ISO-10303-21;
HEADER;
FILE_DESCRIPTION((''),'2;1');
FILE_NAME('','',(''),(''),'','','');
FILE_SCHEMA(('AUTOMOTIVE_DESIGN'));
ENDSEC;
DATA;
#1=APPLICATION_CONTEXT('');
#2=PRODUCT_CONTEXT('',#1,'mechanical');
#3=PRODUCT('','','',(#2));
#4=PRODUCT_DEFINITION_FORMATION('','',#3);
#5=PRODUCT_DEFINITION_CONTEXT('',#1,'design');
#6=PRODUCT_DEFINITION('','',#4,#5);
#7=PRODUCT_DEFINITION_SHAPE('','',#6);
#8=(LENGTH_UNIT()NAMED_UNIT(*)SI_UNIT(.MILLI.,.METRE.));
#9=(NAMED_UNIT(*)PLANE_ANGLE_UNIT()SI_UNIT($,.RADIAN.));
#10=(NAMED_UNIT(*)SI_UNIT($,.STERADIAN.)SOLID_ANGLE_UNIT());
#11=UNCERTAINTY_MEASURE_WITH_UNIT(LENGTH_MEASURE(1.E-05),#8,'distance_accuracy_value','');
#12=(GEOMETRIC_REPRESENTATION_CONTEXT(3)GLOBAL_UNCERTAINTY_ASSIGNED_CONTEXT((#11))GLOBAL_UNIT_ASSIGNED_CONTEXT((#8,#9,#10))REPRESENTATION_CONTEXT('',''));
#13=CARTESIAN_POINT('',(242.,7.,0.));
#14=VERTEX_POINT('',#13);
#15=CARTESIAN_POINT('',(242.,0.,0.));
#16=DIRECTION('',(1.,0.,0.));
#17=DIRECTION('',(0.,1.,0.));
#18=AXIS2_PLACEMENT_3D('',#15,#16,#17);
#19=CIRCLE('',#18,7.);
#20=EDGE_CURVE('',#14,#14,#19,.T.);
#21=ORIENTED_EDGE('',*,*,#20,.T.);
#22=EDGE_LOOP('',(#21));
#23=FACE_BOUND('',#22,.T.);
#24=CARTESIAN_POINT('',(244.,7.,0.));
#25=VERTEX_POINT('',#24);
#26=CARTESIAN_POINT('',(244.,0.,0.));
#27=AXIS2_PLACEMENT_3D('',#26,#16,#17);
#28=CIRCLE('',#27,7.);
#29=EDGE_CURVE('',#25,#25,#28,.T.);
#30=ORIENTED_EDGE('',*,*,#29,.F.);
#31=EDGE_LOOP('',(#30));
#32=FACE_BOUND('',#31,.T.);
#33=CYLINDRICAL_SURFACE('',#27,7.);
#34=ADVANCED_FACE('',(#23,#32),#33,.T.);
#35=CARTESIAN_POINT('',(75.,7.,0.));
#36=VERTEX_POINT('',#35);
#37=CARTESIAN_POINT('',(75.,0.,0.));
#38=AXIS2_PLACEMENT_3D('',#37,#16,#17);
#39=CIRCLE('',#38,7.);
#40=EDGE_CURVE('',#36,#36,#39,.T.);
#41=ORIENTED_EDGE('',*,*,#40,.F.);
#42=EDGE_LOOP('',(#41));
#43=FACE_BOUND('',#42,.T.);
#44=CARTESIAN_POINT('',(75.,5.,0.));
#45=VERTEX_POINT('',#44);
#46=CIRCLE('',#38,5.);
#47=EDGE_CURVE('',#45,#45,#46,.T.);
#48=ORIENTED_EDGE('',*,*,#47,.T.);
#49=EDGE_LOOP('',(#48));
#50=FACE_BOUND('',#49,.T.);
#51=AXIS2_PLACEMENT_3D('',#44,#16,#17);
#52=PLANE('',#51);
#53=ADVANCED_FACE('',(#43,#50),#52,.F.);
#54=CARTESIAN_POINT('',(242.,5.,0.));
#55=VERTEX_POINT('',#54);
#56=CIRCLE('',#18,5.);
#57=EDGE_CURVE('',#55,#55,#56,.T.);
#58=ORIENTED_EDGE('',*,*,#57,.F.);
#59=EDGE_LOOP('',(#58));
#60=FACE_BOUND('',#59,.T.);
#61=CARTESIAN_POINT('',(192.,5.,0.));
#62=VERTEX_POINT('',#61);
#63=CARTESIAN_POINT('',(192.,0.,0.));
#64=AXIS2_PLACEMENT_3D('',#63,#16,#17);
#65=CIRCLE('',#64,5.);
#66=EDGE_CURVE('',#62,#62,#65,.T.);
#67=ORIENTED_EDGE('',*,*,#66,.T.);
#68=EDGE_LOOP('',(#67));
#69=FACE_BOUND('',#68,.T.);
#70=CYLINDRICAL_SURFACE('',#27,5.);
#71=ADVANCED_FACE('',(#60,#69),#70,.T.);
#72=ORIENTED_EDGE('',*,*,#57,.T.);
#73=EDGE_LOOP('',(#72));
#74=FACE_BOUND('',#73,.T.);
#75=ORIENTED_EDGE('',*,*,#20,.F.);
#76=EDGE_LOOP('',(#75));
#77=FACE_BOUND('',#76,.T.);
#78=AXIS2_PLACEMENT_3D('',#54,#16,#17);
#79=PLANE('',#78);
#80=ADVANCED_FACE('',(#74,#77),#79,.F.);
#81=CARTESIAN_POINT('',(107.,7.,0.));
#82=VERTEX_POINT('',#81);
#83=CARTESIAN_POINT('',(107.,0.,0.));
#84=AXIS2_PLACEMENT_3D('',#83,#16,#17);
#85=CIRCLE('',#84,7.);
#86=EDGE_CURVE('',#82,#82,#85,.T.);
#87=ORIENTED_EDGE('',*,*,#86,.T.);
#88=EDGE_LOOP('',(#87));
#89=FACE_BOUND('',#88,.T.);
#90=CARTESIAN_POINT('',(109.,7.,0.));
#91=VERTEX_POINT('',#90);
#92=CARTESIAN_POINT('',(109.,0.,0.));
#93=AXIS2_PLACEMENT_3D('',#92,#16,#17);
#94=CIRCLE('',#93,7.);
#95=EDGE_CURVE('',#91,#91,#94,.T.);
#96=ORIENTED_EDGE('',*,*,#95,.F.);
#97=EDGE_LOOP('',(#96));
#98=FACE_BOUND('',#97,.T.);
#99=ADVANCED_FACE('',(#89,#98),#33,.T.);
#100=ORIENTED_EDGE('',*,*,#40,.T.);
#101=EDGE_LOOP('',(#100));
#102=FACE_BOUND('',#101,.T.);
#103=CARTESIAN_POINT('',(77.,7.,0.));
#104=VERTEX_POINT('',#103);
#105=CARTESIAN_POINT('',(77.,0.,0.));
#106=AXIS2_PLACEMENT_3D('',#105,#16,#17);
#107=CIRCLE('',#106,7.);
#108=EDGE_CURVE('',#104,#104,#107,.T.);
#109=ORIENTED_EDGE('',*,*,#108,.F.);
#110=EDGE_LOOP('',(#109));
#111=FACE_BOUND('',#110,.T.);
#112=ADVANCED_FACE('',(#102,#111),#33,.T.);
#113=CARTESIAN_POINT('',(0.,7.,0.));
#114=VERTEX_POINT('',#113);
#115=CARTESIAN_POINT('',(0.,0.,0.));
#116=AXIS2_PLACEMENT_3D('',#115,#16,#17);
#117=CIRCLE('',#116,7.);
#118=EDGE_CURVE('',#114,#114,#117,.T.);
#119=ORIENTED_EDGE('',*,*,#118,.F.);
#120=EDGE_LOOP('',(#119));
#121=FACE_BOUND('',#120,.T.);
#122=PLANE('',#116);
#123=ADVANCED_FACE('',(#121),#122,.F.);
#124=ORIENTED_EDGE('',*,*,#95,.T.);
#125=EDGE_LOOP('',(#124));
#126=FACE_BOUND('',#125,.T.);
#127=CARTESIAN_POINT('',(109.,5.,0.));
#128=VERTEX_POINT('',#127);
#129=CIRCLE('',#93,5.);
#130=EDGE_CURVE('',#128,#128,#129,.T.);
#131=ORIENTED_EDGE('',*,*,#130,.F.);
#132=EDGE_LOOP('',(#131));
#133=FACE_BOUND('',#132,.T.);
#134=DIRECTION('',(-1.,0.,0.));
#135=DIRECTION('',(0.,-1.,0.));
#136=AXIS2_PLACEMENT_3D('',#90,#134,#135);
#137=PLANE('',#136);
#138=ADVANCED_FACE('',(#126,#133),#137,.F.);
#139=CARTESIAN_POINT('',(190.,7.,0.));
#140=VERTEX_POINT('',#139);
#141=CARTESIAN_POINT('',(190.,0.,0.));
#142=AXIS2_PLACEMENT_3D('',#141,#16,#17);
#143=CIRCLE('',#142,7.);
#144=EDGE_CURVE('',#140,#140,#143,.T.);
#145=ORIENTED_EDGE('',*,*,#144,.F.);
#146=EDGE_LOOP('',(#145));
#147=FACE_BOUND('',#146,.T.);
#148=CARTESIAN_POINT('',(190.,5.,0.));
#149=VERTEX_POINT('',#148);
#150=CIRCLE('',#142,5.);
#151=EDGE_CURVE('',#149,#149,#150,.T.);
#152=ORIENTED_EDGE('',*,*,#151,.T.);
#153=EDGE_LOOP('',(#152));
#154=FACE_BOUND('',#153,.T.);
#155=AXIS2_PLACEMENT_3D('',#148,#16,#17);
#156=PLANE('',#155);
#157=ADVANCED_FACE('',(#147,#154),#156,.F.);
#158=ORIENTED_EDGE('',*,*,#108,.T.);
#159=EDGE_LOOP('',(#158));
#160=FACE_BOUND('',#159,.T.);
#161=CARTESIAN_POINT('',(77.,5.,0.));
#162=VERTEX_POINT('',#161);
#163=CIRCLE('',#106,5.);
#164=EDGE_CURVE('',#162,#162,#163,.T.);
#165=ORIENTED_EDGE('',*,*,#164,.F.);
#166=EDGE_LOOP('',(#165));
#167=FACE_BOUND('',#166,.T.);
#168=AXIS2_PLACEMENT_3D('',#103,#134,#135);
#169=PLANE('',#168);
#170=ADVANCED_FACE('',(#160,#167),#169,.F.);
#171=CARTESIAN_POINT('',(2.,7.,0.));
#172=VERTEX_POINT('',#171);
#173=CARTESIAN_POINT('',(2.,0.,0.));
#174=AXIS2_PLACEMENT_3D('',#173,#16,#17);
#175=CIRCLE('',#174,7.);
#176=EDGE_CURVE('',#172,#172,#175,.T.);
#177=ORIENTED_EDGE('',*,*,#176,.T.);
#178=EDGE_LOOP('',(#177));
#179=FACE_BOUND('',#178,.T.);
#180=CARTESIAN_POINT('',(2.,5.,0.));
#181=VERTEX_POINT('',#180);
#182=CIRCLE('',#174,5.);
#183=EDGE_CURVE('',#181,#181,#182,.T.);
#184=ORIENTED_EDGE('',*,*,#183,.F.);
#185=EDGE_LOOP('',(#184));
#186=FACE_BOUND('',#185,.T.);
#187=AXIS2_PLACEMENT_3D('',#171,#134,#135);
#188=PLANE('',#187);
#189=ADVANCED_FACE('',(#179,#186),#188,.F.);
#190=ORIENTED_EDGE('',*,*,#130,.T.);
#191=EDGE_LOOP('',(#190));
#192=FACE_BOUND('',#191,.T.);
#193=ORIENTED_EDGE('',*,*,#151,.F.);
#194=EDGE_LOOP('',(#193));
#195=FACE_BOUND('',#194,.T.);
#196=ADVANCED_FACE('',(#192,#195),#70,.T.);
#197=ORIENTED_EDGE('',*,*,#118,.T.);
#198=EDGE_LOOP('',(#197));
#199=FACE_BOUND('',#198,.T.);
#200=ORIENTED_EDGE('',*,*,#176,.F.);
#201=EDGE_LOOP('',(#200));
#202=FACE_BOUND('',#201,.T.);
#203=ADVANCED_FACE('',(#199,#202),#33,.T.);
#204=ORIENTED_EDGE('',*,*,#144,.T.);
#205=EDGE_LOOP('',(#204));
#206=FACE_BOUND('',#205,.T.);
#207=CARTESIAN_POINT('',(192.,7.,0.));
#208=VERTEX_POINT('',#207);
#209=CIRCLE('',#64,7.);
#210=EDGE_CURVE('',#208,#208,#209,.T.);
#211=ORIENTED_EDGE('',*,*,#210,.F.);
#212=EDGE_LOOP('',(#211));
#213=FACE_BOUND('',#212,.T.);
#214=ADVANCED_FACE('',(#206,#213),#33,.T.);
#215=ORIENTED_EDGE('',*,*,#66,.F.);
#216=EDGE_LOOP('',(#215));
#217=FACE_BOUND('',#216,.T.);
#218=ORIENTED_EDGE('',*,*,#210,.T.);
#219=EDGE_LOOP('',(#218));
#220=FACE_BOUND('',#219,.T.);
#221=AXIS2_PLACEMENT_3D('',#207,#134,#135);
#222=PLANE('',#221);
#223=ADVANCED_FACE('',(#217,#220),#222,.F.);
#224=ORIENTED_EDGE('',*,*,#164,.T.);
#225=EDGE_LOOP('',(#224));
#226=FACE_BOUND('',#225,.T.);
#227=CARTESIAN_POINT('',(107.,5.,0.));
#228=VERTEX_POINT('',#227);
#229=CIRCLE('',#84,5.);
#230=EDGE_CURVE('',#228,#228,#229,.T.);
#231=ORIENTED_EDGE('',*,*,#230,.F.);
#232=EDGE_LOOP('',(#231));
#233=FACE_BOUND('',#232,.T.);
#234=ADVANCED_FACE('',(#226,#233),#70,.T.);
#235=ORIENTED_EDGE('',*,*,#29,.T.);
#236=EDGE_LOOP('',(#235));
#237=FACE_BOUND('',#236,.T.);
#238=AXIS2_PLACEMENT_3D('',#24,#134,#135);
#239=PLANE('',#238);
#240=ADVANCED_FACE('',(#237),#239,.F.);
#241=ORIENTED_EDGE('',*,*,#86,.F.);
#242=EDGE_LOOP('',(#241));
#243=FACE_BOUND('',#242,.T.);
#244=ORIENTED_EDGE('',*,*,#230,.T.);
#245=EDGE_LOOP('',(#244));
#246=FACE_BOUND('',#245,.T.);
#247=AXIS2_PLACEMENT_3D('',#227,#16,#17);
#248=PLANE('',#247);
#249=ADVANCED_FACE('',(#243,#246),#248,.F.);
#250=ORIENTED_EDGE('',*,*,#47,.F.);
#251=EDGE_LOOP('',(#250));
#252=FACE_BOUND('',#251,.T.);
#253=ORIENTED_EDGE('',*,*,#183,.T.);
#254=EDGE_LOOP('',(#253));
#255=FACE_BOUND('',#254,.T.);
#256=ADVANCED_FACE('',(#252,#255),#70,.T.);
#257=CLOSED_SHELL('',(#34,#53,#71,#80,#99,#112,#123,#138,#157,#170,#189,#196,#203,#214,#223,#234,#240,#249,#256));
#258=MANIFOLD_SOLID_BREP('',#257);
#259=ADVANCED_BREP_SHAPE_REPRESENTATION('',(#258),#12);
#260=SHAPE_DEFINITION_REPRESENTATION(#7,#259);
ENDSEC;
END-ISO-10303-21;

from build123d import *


with BuildPart() as part:
    # Sketch2 → Revolve1 (revolve)
    with BuildSketch(Plane.XY):
        Polygon((0, 0), (0, 7), (2, 7), (2, 5), (32, 5), (75, 5), (75, 7), (77, 7), (77, 5), (107, 5), (107, 7), (109, 7), (109, 5), (190, 5), (190, 7), (192, 7), (192, 5), (242, 5), (242, 7), (244, 7), (244, 5), (244, 0), align=None)
    revolve(axis=Axis((244, 0, 0), (-1, 0, 0)))


solid = part.part
